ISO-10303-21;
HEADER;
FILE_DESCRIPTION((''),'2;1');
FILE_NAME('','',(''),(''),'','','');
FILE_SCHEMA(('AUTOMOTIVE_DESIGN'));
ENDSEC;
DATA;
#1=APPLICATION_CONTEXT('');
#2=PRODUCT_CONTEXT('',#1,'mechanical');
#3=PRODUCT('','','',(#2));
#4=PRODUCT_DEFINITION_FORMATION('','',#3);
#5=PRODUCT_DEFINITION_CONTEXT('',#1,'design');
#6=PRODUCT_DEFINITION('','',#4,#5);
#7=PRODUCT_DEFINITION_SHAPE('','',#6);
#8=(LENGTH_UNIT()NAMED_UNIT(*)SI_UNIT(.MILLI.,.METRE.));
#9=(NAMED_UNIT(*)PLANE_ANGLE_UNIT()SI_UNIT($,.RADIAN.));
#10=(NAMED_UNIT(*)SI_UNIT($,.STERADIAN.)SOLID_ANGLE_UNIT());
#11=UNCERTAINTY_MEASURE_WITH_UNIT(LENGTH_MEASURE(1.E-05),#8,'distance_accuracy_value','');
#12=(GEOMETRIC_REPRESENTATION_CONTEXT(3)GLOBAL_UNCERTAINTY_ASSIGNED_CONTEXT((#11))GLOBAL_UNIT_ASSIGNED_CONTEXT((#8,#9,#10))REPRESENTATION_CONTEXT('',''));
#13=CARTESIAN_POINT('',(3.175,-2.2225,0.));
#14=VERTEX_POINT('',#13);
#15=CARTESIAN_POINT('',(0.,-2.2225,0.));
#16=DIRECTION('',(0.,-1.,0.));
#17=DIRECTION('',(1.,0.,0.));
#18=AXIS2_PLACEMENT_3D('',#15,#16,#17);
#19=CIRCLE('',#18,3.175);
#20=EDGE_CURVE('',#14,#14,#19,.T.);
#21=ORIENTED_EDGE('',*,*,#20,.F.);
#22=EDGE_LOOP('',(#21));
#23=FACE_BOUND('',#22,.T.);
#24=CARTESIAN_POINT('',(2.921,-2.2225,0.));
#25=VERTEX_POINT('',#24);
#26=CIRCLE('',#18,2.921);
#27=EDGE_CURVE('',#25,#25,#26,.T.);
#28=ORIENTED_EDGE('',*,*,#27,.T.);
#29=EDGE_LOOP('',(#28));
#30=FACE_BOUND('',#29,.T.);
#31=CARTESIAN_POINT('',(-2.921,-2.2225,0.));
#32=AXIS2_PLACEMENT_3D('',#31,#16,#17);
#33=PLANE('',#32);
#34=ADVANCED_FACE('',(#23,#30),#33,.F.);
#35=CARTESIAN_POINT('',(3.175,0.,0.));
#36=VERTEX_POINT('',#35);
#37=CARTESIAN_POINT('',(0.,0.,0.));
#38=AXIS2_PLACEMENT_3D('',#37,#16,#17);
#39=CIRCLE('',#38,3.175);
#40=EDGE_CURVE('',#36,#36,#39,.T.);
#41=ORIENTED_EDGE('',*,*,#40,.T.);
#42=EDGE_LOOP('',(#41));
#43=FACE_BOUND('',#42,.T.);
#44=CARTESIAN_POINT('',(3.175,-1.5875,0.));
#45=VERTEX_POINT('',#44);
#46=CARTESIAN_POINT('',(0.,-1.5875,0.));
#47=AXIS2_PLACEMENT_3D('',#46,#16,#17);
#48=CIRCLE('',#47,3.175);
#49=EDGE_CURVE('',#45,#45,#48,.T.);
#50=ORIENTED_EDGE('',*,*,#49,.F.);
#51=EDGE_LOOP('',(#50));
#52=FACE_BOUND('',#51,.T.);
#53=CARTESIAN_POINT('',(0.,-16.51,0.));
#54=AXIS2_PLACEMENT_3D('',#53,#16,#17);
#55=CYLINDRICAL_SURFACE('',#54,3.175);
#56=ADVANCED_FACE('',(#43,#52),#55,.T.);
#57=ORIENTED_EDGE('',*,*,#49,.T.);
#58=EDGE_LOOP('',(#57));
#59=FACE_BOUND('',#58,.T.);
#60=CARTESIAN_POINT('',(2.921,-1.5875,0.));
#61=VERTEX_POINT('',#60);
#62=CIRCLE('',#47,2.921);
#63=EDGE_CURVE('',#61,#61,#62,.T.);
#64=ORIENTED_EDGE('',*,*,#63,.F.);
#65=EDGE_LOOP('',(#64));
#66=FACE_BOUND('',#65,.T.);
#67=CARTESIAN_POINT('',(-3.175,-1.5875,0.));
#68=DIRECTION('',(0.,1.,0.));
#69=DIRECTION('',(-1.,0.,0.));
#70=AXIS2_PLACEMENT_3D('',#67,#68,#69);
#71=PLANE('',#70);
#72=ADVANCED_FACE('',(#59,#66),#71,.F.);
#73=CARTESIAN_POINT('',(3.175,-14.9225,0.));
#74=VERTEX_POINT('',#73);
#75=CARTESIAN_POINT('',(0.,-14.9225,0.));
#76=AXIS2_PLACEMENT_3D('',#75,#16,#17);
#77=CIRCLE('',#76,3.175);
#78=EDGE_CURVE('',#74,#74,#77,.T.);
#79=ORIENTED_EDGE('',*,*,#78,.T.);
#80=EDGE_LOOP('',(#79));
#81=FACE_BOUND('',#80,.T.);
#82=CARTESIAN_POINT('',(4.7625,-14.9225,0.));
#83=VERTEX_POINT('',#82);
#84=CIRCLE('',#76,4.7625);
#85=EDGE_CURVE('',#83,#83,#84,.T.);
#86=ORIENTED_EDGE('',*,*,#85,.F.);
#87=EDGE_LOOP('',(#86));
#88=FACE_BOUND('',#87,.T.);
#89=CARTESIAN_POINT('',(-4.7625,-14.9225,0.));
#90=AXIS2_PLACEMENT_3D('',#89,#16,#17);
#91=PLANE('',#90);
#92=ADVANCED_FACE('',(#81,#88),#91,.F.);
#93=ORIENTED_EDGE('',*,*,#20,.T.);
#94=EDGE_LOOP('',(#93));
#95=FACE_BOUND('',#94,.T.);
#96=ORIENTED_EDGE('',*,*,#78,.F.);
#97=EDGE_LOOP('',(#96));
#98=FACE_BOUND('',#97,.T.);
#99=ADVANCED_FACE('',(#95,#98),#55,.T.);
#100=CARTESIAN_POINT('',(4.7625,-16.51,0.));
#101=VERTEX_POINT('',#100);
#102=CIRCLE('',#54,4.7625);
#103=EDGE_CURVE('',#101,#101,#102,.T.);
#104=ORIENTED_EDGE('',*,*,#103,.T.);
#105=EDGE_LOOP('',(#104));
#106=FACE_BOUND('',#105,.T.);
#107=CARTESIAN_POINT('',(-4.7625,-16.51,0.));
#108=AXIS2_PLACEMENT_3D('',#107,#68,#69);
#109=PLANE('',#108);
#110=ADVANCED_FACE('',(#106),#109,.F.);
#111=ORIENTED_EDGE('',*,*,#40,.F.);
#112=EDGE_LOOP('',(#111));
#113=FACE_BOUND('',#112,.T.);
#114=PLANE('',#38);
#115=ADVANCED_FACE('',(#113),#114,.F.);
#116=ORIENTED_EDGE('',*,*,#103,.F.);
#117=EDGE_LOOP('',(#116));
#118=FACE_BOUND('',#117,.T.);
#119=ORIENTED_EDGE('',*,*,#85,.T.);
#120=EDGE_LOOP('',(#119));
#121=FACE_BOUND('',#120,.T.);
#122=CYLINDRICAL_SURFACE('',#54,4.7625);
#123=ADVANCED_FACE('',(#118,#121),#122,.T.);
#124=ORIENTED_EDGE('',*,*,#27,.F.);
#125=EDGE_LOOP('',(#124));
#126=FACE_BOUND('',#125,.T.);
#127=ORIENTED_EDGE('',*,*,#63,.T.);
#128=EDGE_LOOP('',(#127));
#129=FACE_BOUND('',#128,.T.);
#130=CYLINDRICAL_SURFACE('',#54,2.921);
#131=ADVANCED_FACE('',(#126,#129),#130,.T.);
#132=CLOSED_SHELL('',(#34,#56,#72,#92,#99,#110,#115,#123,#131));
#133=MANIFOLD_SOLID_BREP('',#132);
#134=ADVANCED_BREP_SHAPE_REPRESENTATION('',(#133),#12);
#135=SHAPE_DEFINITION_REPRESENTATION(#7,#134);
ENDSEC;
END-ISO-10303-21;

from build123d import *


with BuildPart() as part:
    # Sketch1 → Revolve1 (revolve)
    with BuildSketch(Plane.XY):
        Polygon((0, 0), (-3.175, 0), (-3.175, -1.5875), (-2.921, -1.5875), (-2.921, -2.2225), (-3.175, -2.2225), (-3.175, -14.9225), (-4.7625, -14.9225), (-4.7625, -16.51), (0, -16.51), align=None)
    revolve(axis=Axis((0, -16.51, 0), (0, 1, 0)))


solid = part.part
